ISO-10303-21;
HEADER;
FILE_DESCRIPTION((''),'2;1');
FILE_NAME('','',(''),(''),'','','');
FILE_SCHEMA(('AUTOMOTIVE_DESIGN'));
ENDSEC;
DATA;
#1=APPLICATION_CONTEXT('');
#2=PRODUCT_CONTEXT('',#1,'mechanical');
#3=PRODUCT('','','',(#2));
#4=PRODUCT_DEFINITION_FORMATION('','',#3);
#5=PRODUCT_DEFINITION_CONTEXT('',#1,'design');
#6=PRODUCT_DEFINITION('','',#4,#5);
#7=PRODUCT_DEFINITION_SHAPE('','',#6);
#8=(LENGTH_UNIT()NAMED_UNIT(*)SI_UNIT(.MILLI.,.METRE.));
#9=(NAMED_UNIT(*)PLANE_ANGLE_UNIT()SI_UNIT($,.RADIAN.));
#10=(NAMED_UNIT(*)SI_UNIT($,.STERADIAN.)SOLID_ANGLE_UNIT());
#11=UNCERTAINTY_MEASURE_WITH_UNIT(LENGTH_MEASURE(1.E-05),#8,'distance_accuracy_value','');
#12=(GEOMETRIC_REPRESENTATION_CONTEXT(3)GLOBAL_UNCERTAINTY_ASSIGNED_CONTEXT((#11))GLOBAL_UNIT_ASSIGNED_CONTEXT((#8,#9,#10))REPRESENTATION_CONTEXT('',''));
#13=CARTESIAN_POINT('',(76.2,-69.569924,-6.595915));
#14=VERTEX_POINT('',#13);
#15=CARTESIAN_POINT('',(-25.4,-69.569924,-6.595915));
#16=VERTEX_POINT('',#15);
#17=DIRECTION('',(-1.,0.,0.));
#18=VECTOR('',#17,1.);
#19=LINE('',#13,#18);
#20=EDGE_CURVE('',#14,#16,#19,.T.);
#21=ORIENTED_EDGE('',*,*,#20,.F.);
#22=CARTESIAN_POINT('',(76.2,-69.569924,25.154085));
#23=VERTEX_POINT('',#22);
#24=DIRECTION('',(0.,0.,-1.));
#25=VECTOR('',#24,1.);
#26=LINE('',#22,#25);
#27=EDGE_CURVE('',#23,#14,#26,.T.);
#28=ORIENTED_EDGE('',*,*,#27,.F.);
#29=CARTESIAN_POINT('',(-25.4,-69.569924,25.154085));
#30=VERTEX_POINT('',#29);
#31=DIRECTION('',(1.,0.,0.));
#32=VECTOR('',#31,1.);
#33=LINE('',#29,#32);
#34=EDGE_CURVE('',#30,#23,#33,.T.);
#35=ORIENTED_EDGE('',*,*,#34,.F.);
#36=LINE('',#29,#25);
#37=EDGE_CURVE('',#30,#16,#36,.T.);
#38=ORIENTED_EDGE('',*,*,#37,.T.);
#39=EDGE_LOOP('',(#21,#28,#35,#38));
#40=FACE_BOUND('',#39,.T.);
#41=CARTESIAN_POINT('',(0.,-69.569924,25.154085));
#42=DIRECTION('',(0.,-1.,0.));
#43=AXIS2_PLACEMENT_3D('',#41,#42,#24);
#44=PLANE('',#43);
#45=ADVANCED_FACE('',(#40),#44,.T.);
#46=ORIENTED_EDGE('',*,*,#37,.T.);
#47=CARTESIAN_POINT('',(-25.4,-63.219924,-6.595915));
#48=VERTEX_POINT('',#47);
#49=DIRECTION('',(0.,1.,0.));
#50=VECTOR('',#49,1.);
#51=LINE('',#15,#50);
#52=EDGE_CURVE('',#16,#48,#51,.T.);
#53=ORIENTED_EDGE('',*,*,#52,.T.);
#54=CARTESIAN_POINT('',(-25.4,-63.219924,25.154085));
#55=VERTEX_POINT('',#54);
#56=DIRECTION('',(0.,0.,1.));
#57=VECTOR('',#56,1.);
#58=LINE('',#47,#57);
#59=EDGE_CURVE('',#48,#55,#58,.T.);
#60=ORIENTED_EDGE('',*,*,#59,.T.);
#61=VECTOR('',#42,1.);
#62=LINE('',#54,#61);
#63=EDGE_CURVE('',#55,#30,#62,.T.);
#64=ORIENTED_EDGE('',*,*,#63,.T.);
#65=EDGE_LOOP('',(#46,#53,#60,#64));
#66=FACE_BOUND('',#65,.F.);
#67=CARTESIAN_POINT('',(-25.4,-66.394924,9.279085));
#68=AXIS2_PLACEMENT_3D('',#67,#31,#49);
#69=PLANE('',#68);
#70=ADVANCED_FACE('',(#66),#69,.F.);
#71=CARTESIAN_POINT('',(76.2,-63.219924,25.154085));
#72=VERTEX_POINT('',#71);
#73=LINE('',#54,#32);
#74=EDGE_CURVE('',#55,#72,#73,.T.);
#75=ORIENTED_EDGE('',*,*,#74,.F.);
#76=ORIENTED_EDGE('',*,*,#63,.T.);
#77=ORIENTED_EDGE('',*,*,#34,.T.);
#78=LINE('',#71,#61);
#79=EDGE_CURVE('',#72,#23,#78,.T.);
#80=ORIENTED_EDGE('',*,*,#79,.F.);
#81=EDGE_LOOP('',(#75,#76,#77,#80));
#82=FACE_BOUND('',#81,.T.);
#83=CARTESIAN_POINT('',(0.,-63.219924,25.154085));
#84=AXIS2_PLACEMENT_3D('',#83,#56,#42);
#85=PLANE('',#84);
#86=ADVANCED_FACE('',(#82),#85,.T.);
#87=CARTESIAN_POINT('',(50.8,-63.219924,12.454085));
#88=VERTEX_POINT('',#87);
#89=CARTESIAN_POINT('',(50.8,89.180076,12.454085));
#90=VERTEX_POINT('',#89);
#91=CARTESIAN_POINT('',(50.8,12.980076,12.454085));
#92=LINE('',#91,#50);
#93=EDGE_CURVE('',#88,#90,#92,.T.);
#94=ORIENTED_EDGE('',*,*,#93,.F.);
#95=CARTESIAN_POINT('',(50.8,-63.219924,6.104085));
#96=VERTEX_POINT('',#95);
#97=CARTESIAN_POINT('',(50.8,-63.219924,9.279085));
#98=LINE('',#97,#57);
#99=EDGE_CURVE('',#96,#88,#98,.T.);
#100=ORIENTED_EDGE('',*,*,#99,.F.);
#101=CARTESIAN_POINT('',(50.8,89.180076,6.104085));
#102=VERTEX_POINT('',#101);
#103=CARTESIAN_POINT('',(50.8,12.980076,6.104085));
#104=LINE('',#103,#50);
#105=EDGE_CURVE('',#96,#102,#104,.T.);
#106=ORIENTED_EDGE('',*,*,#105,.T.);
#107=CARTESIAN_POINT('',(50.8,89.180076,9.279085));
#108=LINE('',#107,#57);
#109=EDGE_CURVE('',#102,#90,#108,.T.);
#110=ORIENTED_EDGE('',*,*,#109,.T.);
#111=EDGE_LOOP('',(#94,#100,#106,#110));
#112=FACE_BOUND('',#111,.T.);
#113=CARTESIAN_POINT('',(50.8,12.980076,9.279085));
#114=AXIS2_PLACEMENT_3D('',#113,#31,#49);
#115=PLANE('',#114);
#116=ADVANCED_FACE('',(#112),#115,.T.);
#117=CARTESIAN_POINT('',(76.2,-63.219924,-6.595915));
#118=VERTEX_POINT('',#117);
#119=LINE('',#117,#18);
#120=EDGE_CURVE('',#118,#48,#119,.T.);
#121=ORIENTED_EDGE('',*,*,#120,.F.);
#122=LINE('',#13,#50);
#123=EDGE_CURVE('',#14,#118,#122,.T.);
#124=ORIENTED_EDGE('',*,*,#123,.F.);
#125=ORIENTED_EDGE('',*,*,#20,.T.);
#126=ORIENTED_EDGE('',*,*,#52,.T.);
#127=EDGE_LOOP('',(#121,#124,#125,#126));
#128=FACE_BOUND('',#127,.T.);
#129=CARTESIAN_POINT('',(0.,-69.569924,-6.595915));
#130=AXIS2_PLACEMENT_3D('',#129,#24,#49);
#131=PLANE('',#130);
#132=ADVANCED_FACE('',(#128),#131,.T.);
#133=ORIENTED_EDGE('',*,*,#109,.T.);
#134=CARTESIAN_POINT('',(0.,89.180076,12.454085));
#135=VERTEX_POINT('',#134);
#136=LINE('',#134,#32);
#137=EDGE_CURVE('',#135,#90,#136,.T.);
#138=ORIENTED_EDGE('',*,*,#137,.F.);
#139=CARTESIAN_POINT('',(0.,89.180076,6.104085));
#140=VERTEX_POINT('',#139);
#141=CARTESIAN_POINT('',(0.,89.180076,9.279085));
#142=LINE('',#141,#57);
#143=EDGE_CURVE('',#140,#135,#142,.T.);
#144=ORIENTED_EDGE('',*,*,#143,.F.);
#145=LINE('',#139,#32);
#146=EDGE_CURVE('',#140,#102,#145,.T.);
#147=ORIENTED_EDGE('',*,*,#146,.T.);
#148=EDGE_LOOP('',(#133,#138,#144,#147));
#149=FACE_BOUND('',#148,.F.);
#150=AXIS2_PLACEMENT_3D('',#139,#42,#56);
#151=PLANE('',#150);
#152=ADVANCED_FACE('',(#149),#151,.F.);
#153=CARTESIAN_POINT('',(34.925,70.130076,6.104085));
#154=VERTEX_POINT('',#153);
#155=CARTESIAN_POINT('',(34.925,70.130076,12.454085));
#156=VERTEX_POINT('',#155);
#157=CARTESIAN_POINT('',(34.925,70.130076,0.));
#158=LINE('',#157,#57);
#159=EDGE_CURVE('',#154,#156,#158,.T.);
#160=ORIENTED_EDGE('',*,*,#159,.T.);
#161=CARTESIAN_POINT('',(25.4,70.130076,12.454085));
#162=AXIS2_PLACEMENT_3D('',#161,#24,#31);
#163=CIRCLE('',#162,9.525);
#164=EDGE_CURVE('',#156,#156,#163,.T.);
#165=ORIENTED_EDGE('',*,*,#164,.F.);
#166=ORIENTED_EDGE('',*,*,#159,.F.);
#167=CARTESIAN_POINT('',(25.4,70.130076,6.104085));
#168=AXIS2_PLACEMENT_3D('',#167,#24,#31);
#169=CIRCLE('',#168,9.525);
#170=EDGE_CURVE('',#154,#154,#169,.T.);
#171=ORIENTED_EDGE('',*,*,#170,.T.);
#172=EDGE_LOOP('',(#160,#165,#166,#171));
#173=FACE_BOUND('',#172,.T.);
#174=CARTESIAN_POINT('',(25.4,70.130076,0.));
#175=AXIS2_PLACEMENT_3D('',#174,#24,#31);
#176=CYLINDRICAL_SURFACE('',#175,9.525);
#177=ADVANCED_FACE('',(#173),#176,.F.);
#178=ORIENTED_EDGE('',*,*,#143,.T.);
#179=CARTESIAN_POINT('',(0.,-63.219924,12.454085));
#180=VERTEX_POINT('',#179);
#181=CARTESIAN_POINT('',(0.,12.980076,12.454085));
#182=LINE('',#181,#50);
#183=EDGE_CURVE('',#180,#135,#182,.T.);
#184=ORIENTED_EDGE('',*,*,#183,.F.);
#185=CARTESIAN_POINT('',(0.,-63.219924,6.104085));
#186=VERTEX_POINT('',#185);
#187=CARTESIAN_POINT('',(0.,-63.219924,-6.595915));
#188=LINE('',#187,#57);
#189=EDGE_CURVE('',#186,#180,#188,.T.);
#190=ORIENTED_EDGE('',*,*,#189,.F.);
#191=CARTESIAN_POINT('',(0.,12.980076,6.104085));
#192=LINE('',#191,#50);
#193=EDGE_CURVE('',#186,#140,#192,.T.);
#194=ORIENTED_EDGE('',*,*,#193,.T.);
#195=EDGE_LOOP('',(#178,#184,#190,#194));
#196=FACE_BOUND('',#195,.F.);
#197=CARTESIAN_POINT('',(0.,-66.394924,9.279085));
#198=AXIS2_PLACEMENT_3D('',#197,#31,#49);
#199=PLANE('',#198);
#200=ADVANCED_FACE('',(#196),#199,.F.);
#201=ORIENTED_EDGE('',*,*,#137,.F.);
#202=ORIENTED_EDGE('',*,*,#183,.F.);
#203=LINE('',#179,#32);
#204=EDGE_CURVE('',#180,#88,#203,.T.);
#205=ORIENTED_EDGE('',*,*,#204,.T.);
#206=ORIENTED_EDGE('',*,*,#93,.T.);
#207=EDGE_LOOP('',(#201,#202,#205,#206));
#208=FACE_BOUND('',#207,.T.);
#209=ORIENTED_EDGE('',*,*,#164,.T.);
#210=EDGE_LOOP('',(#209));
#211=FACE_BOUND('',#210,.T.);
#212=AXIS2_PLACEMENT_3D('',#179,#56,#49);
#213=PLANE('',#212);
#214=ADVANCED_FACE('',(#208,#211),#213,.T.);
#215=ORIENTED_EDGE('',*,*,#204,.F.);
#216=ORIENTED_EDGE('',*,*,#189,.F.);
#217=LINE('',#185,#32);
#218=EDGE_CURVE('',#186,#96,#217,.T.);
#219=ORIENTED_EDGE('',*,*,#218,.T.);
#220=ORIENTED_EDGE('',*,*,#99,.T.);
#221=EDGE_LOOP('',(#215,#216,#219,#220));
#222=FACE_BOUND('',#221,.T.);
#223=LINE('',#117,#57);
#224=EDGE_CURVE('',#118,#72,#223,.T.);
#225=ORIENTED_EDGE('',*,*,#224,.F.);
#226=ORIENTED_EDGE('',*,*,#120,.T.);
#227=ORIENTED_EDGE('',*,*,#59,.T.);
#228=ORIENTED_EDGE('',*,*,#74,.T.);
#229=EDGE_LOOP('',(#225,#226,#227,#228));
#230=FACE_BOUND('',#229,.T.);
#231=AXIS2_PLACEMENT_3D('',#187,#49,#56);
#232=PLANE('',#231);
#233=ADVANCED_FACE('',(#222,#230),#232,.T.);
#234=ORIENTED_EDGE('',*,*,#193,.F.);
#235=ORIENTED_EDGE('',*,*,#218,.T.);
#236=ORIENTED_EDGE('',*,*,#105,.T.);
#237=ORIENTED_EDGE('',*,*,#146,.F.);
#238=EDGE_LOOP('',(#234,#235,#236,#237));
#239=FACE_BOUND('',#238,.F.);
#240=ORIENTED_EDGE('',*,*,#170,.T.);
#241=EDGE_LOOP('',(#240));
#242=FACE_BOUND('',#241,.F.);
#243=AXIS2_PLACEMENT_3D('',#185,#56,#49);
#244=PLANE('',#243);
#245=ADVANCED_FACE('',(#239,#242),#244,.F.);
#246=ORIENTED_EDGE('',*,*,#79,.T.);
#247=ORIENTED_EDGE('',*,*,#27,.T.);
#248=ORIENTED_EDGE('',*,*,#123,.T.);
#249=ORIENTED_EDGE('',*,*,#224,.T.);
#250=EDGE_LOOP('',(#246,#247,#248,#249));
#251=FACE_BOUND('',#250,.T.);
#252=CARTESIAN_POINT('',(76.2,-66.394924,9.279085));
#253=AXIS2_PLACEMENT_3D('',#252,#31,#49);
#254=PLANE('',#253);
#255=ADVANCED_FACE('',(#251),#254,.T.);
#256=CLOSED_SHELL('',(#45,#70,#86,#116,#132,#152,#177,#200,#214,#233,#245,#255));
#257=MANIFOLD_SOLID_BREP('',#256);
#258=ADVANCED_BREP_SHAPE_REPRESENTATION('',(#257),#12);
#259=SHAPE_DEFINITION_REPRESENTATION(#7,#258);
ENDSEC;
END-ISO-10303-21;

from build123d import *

# Parameters (mm, degrees)
F0_W          = 152.4
F0_H          = 6.35
F1_DEPTH      = 50.8
F3_DEPTH      = 76.2
F3_DEPTH_BACK = 25.4
F4_R          = 9.525
F5_DEPTH      = 25.155085


with BuildPart() as f1:
    # F0 (on Right) → F1 (new body)
    with BuildSketch(Plane.YZ):
        with Locations((12.980076, 9.279085)):
            Rectangle(F0_W, F0_H)
    extrude(amount=F1_DEPTH)

    # F2 (on Right) → F3 (join, two sides)
    with BuildSketch(Plane.YZ) as f3_sk:
        Polygon((-63.219924, -6.595915), (-63.219924, 12.454085), (-63.219924, 25.154085), (-69.569924, 25.154085), (-69.569924, -6.595915), align=None)
    extrude(amount=F3_DEPTH)
    extrude(f3_sk.sketch, amount=-F3_DEPTH_BACK)

    # F4 (on Top) → F5 (cut, through all)
    with BuildSketch(Plane.XY):
        with Locations((25.4, 70.130076)):
            Circle(F4_R)
    extrude(amount=F5_DEPTH, mode=Mode.SUBTRACT)


solid = f1.part
